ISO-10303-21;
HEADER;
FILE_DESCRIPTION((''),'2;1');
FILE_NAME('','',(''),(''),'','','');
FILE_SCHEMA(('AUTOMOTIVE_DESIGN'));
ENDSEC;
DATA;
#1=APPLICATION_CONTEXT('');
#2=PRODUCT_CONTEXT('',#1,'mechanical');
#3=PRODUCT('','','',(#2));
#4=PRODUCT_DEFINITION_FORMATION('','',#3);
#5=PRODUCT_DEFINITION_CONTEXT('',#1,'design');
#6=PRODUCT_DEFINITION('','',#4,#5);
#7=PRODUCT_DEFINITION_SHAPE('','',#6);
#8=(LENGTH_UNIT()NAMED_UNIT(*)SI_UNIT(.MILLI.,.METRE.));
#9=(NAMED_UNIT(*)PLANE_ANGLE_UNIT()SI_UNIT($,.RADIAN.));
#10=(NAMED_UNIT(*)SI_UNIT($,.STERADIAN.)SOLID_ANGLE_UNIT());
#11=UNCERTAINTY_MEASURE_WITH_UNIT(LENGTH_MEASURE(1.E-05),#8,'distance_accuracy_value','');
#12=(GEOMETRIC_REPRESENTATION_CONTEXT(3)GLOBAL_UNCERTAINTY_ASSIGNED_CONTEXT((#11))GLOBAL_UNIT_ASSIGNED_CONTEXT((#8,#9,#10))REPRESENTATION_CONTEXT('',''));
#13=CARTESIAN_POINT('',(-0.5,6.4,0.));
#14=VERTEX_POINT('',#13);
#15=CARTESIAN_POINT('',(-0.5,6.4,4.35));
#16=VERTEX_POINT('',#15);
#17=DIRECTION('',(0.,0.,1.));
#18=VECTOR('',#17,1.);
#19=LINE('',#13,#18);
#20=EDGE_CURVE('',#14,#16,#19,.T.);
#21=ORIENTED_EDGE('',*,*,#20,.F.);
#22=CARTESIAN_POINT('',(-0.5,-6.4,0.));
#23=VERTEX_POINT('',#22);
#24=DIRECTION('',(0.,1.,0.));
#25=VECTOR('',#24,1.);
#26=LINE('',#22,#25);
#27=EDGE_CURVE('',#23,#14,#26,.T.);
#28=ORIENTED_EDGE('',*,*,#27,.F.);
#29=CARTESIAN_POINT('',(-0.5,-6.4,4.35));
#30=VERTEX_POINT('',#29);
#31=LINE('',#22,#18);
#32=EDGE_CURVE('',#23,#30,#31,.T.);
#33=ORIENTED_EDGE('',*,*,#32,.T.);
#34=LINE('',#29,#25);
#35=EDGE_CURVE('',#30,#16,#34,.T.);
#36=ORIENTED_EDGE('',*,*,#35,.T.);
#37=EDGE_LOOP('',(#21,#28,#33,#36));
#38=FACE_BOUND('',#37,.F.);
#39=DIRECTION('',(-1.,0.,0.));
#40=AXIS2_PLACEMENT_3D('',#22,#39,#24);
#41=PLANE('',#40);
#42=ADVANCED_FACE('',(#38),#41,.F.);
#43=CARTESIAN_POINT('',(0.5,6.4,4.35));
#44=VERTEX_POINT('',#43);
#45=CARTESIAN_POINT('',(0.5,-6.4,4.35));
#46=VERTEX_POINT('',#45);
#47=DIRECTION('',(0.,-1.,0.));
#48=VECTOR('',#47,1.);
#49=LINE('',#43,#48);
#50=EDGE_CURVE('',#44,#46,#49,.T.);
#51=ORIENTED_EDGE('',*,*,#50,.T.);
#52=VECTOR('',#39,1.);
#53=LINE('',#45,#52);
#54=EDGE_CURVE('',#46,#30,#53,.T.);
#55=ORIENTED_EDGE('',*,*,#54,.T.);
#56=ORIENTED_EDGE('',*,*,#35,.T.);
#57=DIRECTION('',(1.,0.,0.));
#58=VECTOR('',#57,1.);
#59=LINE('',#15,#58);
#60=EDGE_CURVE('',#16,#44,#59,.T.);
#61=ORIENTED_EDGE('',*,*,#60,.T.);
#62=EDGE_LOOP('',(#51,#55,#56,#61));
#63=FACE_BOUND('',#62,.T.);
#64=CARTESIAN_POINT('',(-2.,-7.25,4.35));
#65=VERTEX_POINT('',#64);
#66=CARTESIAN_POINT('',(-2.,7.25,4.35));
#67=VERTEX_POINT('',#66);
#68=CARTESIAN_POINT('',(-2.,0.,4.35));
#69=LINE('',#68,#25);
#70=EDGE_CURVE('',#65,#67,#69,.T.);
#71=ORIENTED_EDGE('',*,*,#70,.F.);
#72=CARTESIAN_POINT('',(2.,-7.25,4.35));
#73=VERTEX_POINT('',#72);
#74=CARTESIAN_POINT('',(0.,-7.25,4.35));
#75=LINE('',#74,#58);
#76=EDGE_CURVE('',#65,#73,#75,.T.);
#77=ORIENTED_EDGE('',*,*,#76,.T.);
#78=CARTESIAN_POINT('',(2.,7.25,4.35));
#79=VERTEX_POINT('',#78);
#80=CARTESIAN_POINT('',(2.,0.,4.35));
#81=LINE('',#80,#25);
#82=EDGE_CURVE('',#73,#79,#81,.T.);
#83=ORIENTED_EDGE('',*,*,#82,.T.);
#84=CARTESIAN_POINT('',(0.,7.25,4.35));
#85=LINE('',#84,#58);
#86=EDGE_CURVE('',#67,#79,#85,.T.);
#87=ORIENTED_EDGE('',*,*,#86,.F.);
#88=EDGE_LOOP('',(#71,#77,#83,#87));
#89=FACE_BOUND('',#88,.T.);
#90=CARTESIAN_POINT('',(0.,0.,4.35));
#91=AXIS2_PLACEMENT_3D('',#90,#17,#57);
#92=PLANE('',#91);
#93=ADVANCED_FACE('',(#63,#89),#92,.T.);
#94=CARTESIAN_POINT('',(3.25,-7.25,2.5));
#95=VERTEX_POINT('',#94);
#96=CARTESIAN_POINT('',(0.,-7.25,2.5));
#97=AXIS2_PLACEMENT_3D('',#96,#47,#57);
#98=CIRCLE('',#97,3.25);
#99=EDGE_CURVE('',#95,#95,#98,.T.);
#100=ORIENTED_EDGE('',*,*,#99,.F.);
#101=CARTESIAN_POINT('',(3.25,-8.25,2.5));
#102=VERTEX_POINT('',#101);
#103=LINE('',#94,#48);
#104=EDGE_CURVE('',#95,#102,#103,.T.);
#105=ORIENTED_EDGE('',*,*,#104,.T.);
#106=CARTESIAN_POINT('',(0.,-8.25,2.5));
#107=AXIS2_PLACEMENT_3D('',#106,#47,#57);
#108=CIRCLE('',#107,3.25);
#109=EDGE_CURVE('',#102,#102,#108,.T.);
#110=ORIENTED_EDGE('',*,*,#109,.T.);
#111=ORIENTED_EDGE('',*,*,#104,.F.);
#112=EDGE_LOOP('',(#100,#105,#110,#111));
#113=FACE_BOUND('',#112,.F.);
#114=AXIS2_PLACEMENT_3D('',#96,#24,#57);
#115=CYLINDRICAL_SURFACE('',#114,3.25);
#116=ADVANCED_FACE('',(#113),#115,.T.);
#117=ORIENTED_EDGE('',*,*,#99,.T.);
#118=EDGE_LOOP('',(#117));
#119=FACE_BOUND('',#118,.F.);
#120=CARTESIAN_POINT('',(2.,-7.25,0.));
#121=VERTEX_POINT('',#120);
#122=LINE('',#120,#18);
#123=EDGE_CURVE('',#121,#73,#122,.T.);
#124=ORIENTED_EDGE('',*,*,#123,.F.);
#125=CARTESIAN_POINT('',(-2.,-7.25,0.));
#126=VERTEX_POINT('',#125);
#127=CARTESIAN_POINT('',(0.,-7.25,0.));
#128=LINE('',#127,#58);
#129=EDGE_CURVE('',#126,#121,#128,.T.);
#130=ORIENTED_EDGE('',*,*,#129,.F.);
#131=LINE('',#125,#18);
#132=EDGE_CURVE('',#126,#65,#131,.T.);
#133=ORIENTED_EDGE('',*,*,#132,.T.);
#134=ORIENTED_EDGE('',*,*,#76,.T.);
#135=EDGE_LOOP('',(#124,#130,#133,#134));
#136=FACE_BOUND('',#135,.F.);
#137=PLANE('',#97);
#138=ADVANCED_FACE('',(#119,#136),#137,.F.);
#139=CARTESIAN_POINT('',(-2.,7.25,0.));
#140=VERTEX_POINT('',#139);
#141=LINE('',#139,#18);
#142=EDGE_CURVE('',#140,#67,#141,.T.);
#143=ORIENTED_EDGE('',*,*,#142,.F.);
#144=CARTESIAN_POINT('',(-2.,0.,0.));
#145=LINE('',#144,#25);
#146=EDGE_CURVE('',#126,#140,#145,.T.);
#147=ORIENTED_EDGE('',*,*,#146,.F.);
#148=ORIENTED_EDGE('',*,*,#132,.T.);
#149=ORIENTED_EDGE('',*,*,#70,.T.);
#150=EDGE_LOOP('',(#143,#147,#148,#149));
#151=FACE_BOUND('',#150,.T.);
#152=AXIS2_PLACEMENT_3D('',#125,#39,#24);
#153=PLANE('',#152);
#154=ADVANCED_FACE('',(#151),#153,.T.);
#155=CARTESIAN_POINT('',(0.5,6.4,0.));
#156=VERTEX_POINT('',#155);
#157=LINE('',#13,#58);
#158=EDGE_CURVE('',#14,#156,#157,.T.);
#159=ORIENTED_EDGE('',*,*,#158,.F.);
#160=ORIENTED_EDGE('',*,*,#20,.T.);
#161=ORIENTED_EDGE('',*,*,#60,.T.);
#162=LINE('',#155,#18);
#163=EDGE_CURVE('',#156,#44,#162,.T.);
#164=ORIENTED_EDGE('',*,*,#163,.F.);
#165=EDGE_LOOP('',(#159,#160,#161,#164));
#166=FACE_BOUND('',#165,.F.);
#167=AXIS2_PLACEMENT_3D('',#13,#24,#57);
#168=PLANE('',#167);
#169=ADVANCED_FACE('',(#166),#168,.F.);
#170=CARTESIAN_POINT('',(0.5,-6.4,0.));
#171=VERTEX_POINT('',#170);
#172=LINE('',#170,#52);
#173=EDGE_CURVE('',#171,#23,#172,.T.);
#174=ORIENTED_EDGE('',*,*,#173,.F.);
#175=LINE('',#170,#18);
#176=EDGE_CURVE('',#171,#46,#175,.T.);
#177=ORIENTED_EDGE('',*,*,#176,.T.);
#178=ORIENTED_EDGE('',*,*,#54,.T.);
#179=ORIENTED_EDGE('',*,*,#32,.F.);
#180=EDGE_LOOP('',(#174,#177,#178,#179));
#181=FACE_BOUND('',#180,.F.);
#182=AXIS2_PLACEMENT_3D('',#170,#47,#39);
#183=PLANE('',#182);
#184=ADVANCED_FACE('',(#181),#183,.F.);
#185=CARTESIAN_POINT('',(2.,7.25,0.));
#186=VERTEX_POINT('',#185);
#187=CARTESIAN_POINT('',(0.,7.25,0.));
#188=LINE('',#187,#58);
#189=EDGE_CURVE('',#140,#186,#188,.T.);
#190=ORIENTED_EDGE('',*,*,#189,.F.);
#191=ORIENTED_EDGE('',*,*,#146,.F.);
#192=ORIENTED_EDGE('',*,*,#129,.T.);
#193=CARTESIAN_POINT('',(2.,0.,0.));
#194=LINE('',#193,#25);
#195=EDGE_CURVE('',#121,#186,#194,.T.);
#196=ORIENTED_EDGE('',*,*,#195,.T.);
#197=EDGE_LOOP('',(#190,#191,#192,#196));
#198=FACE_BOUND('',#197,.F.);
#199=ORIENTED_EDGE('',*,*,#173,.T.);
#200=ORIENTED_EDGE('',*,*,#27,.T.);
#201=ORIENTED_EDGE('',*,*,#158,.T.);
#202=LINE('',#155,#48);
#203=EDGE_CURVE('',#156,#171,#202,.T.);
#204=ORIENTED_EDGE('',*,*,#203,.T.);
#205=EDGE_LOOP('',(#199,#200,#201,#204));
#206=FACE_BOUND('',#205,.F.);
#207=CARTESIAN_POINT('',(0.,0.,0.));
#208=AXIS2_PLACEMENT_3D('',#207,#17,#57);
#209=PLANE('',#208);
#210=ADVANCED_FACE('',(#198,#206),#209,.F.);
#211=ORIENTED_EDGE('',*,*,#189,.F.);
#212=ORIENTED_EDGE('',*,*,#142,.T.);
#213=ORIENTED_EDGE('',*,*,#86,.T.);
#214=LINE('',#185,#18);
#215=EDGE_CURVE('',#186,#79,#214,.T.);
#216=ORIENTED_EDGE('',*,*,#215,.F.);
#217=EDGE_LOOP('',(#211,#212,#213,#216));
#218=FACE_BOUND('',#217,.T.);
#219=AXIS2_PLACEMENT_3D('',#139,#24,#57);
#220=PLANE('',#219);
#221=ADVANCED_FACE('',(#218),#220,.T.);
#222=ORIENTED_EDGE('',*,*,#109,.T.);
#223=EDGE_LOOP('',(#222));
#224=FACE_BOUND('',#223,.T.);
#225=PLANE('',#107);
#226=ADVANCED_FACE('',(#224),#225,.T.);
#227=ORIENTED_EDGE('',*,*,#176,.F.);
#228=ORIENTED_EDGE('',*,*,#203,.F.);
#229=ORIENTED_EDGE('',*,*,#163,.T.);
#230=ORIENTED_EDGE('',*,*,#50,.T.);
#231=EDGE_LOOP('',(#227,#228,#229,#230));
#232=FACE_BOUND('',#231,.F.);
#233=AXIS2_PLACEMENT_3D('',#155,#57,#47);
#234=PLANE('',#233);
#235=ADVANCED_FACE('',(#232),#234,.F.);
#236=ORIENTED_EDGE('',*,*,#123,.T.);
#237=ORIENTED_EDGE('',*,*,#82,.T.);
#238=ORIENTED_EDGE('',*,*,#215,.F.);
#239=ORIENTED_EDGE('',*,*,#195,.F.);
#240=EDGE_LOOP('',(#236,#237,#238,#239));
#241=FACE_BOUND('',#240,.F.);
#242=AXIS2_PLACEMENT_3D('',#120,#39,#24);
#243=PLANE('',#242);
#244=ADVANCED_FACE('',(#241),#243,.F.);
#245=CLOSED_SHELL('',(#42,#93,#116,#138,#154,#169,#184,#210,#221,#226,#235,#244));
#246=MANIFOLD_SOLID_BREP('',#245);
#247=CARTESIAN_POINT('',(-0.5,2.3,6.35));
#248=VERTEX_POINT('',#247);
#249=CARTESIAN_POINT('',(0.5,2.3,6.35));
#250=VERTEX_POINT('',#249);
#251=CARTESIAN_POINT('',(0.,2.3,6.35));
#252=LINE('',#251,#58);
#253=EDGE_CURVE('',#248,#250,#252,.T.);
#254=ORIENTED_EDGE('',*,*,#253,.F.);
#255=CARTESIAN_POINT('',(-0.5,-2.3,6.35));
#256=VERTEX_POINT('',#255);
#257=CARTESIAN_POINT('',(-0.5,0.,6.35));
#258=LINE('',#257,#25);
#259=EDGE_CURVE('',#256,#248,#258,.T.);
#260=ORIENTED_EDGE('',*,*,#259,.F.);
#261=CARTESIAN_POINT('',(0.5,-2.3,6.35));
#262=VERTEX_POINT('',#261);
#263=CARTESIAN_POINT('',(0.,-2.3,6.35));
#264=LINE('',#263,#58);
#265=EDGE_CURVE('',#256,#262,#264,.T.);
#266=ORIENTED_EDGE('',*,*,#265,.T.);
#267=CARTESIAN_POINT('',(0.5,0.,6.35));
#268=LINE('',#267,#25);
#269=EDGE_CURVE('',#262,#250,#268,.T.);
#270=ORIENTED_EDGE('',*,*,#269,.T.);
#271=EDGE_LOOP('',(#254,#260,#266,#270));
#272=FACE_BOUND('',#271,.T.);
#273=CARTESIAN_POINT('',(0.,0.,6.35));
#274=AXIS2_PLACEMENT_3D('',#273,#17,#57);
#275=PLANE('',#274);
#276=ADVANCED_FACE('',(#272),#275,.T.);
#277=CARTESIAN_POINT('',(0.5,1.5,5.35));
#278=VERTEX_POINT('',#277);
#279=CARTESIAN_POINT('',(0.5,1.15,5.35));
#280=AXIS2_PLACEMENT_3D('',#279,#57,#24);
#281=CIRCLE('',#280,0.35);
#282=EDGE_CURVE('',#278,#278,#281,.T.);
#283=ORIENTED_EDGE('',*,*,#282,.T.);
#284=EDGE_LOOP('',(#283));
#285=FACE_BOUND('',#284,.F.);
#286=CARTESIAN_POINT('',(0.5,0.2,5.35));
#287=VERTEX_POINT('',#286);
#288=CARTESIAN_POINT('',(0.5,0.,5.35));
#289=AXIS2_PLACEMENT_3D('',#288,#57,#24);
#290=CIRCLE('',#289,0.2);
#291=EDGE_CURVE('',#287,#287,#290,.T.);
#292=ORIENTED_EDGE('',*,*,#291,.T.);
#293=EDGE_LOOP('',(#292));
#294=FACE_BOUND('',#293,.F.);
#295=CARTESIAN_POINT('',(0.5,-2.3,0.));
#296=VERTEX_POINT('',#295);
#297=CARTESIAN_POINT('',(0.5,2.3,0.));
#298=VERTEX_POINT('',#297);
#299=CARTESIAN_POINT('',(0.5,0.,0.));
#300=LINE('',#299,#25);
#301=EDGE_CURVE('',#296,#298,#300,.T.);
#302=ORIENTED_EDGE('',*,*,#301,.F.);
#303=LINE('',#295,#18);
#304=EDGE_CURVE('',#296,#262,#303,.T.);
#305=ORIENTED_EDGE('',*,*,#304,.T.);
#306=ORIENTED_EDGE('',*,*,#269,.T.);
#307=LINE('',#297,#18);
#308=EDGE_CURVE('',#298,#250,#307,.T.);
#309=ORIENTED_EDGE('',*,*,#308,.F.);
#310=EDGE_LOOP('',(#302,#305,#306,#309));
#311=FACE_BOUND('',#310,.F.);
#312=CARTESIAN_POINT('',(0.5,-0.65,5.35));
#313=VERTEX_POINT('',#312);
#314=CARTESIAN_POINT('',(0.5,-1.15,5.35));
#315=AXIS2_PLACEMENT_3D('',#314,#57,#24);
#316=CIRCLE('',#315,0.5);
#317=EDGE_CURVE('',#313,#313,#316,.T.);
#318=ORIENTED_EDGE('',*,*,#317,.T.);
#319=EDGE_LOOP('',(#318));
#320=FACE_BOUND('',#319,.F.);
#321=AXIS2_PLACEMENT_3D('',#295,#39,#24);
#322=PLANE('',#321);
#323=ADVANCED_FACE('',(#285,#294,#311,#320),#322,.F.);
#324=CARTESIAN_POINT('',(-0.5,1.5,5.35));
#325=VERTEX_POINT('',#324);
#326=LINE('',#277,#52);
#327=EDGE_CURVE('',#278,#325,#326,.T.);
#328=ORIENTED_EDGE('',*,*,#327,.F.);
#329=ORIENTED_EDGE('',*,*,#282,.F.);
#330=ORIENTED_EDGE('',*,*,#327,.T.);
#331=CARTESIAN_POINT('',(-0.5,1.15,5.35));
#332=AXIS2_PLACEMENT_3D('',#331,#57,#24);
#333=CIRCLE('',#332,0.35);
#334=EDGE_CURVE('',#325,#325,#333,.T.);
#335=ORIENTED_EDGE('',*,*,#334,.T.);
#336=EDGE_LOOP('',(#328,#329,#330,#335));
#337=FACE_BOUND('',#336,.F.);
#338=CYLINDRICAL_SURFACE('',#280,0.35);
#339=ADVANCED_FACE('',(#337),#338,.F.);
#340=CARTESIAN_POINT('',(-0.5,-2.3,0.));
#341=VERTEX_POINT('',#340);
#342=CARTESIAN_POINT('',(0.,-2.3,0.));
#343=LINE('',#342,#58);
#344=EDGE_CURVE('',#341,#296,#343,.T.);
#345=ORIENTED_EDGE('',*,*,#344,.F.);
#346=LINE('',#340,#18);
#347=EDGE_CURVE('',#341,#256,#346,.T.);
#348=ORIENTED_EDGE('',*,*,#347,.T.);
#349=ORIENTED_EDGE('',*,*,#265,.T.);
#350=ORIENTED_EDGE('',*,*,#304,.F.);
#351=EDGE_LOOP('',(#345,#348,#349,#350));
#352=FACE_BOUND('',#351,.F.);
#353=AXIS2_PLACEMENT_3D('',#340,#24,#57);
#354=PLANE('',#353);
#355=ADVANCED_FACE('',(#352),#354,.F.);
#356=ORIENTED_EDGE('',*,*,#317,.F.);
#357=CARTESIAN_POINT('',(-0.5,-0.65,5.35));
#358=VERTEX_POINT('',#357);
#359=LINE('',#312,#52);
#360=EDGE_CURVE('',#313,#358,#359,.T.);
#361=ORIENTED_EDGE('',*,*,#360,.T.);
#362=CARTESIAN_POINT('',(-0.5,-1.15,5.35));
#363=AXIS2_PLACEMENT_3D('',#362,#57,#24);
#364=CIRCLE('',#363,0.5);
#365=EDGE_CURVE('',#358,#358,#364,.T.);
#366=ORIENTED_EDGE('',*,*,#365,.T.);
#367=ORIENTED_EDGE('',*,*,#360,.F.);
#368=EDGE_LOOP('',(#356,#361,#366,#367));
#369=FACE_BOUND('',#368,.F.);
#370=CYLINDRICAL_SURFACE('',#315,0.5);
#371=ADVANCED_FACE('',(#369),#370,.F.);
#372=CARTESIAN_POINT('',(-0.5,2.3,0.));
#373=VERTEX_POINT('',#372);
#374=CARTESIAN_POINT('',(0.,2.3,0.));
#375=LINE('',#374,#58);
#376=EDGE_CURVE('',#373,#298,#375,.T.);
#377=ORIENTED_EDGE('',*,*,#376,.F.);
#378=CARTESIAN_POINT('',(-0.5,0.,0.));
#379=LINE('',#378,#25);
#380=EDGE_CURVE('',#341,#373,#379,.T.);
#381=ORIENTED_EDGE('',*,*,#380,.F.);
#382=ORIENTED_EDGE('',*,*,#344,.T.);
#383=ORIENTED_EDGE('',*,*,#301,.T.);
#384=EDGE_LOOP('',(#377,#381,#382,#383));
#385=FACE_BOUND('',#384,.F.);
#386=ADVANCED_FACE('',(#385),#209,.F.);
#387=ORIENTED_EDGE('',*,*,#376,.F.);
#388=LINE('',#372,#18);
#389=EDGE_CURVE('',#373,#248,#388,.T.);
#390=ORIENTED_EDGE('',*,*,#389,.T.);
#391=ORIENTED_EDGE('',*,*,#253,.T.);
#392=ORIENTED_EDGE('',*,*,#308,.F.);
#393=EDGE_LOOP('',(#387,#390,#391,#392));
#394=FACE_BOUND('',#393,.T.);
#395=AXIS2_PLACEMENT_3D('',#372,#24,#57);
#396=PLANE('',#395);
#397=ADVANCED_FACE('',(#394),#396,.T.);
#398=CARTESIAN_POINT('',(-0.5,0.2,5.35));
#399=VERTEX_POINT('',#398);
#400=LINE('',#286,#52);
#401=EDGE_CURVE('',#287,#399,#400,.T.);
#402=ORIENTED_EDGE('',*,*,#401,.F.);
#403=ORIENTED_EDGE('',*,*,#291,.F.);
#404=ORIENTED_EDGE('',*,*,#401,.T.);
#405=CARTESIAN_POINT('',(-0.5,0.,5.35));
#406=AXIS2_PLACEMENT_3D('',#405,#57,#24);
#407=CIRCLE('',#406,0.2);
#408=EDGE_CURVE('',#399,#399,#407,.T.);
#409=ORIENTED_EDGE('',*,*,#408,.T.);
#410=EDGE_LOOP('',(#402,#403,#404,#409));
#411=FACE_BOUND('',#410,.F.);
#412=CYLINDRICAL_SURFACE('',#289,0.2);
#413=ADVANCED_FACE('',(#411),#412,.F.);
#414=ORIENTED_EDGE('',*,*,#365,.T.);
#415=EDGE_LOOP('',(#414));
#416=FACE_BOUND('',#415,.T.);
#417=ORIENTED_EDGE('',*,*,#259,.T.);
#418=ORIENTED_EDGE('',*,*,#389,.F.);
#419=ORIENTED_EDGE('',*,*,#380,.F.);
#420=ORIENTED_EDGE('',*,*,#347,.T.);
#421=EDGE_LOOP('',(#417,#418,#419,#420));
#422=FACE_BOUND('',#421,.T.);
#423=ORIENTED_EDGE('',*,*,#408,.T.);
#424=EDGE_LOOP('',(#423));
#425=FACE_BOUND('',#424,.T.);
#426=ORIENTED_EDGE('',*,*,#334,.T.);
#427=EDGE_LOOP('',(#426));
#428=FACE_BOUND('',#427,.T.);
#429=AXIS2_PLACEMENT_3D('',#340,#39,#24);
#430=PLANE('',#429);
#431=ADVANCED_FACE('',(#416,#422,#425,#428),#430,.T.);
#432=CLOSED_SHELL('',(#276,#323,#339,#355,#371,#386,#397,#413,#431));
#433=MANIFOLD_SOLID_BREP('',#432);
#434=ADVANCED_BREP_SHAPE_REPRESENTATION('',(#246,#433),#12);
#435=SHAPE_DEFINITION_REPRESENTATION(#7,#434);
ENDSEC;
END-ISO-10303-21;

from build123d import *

# Parameters (mm, degrees)
F0_W     = 4
F0_H     = 14.5
F1_DEPTH = 4.35
F0_W_2   = 1
F0_H_2   = 4.6
F2_DEPTH = 6.35
F4_R     = 3.25
F4_W     = 4
F4_H     = 4.35
F5_DEPTH = 1
F3_R     = 0.5
F3_R_2   = 0.2
F3_R_3   = 0.35
F6_DEPTH = 3.751


with BuildPart() as f1:
    # F0 (on Top) → F1 (new body)
    with BuildSketch(Plane.XY):
        Rectangle(F0_W, F0_H)
        Polygon((-0.5, 6.4), (0.5, 6.4), (0.5, 2.3), (0.5, -2.3), (0.5, -6.4), (-0.5, -6.4), (-0.5, -2.3), (-0.5, 2.3), align=None, mode=Mode.SUBTRACT)
    extrude(amount=F1_DEPTH)

    # F4 (on face) → F5 (join)
    with BuildSketch(Plane.XZ.offset(7.25)):
        with Locations((0, 2.5)):
            Circle(F4_R)
        with Locations((0, 2.175)):
            Rectangle(F4_W, F4_H, mode=Mode.SUBTRACT)
        with Locations((0, 2.175)):
            Rectangle(F4_W, F4_H)
    extrude(amount=F5_DEPTH)


with BuildPart() as f2:
    # F0 (on Top) → F2 (new body)
    with BuildSketch(Plane.XY):
        Rectangle(F0_W_2, F0_H_2)
    extrude(amount=F2_DEPTH)

    # F3 (on face) → F6 (cut, through all)
    with BuildSketch(Plane.YZ.offset(0.5)):
        with Locations((-1.15, 5.35)):
            Circle(F3_R)
        with Locations((0, 5.35)):
            Circle(F3_R_2)
        with Locations((1.15, 5.35)):
            Circle(F3_R_3)
    extrude(amount=-F6_DEPTH, mode=Mode.SUBTRACT)


solid = Compound([f1.part, f2.part])
